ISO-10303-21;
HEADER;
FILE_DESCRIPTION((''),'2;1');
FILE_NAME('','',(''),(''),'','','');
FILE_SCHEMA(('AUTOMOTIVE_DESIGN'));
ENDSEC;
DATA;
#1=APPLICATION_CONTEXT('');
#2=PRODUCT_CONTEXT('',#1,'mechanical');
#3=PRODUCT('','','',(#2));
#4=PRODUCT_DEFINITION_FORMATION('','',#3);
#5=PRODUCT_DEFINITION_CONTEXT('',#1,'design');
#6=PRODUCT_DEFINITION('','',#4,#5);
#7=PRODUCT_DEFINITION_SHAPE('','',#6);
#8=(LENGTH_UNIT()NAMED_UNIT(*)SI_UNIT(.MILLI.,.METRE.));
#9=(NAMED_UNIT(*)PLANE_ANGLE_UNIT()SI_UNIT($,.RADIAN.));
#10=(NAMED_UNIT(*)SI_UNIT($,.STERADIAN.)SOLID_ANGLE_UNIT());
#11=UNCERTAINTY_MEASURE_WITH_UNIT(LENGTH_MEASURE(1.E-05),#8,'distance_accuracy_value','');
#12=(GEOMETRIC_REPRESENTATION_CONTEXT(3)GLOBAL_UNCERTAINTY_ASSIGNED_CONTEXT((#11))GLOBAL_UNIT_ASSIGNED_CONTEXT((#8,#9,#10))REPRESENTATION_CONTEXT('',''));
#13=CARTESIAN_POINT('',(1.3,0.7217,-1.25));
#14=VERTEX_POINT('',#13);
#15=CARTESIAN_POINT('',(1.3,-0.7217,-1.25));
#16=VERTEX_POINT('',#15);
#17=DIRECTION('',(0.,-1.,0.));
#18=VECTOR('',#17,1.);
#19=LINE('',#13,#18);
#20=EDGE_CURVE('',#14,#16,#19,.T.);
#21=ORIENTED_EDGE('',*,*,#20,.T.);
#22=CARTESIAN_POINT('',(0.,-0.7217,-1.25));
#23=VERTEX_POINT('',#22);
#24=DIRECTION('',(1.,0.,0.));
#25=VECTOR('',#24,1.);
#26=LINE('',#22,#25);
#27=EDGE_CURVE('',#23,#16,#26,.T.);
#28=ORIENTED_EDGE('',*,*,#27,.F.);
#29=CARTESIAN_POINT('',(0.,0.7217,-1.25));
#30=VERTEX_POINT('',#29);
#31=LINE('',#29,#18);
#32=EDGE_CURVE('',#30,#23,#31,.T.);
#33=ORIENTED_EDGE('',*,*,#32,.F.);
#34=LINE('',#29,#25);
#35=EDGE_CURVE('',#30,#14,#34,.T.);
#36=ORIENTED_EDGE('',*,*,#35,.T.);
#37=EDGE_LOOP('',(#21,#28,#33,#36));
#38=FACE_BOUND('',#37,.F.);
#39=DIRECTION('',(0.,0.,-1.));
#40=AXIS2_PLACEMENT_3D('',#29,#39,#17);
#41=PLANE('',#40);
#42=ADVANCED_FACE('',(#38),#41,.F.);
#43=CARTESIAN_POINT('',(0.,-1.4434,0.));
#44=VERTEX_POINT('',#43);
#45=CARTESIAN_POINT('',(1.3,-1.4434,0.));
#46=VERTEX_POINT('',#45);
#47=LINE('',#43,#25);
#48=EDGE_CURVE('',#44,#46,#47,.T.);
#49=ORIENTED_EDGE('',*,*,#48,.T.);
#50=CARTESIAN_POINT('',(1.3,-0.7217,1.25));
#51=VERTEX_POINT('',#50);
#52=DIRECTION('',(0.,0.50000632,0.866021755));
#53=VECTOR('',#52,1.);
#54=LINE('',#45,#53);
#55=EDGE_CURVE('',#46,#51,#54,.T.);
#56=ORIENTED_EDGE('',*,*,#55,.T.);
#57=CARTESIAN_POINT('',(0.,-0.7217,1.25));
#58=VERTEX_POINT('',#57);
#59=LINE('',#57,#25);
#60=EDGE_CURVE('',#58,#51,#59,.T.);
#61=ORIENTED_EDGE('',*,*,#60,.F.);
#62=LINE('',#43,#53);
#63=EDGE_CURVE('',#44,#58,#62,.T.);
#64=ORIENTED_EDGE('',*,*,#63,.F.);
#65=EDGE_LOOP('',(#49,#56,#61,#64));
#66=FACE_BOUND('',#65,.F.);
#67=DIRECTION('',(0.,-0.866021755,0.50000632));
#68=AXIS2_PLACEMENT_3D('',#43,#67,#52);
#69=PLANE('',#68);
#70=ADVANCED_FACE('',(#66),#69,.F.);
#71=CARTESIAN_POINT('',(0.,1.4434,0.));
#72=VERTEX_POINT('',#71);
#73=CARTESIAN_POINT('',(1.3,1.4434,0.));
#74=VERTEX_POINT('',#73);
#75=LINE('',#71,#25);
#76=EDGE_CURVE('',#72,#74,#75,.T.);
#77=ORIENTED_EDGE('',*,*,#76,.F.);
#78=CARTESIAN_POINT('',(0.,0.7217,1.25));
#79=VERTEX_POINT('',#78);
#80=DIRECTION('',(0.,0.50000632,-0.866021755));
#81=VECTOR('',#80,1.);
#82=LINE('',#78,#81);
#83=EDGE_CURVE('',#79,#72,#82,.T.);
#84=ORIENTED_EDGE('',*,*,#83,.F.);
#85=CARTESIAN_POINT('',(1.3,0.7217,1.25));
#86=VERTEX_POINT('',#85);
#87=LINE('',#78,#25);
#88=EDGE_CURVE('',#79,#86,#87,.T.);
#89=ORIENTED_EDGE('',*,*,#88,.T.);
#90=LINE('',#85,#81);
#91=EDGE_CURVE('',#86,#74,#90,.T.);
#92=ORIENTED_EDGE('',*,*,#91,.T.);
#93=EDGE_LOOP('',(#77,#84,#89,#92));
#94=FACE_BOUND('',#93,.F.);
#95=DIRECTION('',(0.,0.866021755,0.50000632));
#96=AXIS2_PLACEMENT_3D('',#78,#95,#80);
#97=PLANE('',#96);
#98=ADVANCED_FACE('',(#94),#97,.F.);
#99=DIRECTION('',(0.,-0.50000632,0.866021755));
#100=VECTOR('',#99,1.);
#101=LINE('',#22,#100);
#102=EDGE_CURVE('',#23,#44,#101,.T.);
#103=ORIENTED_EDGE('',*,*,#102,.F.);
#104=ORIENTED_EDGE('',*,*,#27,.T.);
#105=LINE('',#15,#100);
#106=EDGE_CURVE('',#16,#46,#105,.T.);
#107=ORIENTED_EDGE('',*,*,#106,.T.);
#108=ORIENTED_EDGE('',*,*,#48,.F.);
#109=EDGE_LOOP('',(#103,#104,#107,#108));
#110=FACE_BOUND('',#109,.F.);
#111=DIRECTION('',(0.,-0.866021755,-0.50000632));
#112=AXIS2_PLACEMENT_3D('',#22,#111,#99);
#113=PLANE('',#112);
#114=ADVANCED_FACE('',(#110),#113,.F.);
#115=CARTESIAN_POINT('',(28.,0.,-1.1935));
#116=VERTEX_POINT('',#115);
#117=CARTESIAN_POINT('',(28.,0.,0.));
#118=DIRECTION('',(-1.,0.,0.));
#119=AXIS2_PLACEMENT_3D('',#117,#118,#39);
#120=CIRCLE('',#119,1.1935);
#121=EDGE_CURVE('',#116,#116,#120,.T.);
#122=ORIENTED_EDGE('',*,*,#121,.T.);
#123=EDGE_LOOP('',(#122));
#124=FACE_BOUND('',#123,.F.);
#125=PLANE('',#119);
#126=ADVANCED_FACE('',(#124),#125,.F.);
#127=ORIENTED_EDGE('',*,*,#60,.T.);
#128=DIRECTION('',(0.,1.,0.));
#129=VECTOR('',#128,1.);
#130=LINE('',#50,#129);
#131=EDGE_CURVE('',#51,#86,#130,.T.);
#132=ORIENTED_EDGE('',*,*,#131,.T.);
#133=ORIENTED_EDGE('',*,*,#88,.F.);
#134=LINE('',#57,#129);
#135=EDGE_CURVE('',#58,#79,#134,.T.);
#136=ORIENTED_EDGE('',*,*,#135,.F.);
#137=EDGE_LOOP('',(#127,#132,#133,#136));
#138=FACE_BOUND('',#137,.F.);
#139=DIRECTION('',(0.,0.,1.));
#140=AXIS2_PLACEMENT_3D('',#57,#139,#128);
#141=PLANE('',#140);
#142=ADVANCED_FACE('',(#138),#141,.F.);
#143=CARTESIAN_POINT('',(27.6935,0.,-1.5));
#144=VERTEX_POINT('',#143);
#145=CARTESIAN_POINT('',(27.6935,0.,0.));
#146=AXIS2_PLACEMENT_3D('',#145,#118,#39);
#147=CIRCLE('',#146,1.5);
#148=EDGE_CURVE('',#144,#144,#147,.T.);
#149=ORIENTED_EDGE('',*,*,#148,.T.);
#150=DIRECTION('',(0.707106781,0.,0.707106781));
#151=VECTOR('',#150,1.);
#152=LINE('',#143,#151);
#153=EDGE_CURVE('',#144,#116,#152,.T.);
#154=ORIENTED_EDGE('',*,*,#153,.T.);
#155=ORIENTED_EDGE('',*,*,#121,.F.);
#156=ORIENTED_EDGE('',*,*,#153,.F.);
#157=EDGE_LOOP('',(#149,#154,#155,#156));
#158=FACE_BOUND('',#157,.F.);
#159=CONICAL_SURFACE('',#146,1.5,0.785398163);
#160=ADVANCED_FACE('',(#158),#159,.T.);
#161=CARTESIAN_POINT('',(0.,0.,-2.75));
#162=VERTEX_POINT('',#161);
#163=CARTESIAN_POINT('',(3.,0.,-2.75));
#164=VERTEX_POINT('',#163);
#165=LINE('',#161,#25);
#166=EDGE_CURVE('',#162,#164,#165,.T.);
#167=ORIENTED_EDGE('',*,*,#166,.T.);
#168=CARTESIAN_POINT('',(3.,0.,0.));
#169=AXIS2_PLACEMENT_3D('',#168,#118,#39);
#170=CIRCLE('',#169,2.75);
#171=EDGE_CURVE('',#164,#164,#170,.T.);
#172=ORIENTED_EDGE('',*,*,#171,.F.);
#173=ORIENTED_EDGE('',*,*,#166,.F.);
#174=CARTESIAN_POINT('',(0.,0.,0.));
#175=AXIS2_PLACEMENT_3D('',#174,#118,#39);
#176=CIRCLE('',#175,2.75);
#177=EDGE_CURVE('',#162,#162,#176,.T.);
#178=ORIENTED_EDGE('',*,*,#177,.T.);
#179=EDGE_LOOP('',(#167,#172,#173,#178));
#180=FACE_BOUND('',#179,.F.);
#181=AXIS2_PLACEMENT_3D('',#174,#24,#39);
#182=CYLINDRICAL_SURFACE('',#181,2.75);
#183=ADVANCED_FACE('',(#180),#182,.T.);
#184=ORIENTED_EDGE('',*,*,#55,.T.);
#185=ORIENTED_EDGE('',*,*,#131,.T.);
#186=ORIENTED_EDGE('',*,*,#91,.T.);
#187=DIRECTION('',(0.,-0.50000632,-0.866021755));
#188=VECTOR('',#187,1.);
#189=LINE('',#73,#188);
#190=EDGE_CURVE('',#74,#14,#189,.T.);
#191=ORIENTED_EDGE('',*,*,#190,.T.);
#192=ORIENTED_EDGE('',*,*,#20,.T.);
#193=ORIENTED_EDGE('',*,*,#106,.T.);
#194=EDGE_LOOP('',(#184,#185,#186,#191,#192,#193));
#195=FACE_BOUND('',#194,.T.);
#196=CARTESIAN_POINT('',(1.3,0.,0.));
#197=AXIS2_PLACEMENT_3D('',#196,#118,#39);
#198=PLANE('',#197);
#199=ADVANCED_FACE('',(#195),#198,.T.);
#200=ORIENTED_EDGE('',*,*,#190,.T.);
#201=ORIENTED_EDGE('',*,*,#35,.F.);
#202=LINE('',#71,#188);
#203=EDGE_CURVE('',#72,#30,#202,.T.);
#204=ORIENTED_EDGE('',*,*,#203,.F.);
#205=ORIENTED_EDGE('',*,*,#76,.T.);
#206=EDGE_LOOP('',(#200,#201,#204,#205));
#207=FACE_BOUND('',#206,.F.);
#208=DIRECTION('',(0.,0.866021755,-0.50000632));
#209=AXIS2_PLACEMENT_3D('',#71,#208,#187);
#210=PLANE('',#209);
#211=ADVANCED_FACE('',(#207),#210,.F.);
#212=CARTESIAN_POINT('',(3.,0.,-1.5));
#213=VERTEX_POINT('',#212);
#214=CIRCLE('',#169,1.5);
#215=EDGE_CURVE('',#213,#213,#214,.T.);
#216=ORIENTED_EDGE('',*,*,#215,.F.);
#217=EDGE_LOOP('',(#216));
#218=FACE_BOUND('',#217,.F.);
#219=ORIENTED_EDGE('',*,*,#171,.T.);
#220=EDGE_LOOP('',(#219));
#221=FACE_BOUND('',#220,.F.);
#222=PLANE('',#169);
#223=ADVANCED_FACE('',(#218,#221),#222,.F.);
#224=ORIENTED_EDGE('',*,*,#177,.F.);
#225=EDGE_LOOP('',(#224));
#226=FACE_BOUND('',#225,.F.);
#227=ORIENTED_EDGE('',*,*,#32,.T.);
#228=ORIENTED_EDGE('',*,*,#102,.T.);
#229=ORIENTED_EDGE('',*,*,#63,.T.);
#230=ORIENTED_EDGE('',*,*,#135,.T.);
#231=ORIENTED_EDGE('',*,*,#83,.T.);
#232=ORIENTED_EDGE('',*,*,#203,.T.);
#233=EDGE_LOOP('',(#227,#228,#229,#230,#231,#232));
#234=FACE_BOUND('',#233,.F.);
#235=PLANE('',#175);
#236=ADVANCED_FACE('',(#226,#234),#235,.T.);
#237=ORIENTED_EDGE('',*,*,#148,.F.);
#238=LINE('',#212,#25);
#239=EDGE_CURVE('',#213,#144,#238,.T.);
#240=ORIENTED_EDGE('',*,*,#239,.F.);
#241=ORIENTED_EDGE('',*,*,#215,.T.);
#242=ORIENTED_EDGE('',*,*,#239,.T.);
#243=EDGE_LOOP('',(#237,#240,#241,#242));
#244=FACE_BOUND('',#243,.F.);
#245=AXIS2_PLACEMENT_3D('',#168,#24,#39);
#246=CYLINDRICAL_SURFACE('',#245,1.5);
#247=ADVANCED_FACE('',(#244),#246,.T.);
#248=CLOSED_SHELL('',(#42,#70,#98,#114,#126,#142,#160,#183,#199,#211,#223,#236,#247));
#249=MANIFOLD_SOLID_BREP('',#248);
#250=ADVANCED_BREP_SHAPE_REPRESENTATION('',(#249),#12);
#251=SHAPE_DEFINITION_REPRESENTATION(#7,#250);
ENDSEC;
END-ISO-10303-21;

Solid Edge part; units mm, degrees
sketch "Sketch1" plane through (0, 0, 0) normal (0, -1, 0) x (1, 0, 0)
  line L0 (0, 0) -> (0, -2.75)
  line L1 (0, -2.75) -> (3, -2.75)
  line L2 (3, -2.75) -> (3, -1.5)
  line L3 (3, -1.5) -> (27.6935, -1.5)
  line L4 (27.6935, -1.5) -> (28, -1.1935)
  line L5 (28, -1.1935) -> (28, 0)
  line L6 (28, 0) -> (0, 0)
revolve "RevolvedProtrusion1" add sketch "Sketch1" angle 360 about axis through (28, 0, 0) along (-1, 0, 0)
cosmetic_thread "Thread1" size "M3"
sketch "Sketch2" plane through (0, 0, 0) normal (-1, 0, 0) x (0, -1, 0)
  line L0 (-0.7217, 1.25) -> (-1.4434, 0)
  line L1 (-1.4434, 0) -> (-0.7217, -1.25)
  line L2 (-0.7217, -1.25) -> (0.7217, -1.25)
  line L3 (0.7217, -1.25) -> (1.4434, 0)
  line L4 (1.4434, 0) -> (0.7217, 1.25)
  line L5 (0.7217, 1.25) -> (-0.7217, 1.25)
extrude "ExtrudedCutout_1" cut sketch "Sketch2" against normal blind 1.3
properties part number "CQ-M3X25L"
